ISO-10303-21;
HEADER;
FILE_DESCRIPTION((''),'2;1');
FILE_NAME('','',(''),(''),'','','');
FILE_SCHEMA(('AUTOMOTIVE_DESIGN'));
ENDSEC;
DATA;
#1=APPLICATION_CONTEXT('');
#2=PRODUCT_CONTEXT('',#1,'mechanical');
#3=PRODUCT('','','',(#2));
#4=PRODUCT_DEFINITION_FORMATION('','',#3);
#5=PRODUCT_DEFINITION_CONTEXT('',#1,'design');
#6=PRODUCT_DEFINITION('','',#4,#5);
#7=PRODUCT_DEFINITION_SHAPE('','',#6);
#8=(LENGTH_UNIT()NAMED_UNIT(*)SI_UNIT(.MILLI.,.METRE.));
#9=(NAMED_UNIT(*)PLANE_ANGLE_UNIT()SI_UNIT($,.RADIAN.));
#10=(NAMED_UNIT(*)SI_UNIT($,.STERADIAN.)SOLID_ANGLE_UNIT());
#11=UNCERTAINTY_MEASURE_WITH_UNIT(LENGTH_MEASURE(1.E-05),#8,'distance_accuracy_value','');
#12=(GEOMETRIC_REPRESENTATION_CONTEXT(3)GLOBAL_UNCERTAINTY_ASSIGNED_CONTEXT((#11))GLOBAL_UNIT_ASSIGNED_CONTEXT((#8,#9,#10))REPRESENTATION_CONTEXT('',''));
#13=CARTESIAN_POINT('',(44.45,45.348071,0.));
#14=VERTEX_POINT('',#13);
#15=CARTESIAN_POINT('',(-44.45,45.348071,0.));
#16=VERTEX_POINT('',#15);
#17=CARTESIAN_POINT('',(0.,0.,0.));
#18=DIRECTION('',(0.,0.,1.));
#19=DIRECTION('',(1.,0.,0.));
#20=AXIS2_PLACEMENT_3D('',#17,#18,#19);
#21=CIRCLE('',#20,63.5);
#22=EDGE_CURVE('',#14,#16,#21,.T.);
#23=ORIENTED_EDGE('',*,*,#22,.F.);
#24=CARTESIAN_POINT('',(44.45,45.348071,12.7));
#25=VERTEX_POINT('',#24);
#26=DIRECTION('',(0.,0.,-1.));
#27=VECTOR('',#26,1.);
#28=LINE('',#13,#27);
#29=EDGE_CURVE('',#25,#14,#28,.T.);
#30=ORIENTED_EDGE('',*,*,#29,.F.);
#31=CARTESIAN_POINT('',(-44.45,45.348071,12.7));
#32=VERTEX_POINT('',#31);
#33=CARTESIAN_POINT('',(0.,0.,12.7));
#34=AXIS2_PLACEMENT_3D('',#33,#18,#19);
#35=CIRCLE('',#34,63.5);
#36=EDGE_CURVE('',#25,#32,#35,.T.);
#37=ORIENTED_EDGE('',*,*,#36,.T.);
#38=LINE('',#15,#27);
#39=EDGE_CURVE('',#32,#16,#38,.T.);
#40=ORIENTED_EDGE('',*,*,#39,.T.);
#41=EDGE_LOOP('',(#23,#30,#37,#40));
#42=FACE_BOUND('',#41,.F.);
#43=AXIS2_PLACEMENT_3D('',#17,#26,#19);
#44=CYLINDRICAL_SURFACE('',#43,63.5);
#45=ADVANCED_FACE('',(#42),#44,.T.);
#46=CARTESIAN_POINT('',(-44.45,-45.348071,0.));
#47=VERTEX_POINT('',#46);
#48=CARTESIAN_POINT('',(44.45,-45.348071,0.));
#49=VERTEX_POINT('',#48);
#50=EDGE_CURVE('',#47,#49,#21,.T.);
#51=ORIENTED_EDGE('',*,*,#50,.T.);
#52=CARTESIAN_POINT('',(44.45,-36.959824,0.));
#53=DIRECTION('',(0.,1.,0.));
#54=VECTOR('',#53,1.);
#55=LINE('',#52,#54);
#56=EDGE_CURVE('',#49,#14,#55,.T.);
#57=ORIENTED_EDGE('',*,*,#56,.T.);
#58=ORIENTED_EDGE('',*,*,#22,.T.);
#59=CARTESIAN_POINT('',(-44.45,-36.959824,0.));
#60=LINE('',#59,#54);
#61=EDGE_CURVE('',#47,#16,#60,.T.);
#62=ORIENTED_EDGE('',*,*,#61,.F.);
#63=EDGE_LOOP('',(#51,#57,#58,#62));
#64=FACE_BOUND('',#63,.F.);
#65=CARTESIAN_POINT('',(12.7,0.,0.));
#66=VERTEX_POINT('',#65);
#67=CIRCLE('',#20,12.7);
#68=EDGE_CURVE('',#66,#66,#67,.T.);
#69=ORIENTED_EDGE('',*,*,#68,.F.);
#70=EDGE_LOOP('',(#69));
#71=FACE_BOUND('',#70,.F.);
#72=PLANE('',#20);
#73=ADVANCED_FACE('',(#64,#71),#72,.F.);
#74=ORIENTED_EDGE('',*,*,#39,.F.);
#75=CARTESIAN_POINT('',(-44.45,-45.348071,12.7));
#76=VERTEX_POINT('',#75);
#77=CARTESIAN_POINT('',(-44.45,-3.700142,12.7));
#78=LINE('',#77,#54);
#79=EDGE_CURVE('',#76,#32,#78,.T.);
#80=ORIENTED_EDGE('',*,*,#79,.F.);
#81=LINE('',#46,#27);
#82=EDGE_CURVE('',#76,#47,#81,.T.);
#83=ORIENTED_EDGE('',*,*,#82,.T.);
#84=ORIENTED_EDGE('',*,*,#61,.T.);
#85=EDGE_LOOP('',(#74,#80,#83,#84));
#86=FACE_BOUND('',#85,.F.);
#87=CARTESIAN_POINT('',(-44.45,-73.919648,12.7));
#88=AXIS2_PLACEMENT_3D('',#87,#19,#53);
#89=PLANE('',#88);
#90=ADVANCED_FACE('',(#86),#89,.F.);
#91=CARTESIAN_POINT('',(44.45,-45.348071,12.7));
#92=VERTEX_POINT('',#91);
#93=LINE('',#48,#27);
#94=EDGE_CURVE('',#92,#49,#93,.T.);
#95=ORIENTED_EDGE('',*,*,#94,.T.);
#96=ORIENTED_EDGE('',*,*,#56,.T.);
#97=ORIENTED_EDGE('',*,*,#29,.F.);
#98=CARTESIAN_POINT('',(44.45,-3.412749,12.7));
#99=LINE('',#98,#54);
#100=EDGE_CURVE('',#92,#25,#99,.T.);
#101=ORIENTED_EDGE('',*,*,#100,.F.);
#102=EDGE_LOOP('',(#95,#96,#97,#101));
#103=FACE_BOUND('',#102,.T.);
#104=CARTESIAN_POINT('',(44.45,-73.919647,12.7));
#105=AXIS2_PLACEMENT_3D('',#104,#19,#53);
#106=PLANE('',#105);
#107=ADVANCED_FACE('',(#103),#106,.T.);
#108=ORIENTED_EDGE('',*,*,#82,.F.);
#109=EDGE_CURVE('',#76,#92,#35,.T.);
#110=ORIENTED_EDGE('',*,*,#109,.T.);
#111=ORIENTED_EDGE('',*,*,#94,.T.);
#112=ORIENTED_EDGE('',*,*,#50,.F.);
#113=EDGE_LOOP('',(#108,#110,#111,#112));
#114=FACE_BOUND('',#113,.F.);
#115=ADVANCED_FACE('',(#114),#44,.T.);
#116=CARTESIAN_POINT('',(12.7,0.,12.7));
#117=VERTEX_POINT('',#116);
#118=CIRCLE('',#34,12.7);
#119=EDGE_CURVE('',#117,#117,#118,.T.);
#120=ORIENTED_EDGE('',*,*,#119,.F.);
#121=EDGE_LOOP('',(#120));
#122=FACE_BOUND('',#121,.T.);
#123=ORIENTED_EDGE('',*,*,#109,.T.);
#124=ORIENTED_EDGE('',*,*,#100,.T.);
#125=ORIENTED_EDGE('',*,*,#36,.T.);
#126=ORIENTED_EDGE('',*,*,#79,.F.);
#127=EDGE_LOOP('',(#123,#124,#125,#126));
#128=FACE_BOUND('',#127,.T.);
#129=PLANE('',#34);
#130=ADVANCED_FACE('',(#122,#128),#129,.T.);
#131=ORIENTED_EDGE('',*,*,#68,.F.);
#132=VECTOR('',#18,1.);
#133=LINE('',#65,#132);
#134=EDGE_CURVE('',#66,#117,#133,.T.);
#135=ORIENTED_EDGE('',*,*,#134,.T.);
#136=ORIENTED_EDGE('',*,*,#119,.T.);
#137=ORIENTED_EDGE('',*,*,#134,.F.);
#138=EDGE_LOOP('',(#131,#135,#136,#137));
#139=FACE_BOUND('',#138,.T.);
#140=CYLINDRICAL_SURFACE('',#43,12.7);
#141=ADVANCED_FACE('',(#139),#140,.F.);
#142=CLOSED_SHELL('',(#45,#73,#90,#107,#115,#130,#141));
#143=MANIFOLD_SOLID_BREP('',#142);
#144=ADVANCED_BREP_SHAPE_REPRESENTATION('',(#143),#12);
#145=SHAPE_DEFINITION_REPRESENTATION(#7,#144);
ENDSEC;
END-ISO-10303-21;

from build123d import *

# Parameters (mm, degrees)
F0_R     = 63.5
F0_R_2   = 12.7
F1_DEPTH = 12.7
F3_W     = 54.029742
F3_H     = 140.439012
F3_W_2   = 66.675002
F3_H_2   = 141.013797
F4_DEPTH = 25.4


with BuildPart() as f1:
    # F0 (on Top) → F1 (new body)
    with BuildSketch(Plane.XY):
        Circle(F0_R)
        Circle(F0_R_2, mode=Mode.SUBTRACT)
    extrude(amount=F1_DEPTH)

    # F3 (on face) → F4 (cut)
    with BuildSketch(Plane.XY.offset(12.7)):
        with Locations((-71.464871, -3.700142)):
            Rectangle(F3_W, F3_H)
        with Locations((77.787501, -3.412749)):
            Rectangle(F3_W_2, F3_H_2)
    extrude(amount=-F4_DEPTH, mode=Mode.SUBTRACT)


solid = f1.part
